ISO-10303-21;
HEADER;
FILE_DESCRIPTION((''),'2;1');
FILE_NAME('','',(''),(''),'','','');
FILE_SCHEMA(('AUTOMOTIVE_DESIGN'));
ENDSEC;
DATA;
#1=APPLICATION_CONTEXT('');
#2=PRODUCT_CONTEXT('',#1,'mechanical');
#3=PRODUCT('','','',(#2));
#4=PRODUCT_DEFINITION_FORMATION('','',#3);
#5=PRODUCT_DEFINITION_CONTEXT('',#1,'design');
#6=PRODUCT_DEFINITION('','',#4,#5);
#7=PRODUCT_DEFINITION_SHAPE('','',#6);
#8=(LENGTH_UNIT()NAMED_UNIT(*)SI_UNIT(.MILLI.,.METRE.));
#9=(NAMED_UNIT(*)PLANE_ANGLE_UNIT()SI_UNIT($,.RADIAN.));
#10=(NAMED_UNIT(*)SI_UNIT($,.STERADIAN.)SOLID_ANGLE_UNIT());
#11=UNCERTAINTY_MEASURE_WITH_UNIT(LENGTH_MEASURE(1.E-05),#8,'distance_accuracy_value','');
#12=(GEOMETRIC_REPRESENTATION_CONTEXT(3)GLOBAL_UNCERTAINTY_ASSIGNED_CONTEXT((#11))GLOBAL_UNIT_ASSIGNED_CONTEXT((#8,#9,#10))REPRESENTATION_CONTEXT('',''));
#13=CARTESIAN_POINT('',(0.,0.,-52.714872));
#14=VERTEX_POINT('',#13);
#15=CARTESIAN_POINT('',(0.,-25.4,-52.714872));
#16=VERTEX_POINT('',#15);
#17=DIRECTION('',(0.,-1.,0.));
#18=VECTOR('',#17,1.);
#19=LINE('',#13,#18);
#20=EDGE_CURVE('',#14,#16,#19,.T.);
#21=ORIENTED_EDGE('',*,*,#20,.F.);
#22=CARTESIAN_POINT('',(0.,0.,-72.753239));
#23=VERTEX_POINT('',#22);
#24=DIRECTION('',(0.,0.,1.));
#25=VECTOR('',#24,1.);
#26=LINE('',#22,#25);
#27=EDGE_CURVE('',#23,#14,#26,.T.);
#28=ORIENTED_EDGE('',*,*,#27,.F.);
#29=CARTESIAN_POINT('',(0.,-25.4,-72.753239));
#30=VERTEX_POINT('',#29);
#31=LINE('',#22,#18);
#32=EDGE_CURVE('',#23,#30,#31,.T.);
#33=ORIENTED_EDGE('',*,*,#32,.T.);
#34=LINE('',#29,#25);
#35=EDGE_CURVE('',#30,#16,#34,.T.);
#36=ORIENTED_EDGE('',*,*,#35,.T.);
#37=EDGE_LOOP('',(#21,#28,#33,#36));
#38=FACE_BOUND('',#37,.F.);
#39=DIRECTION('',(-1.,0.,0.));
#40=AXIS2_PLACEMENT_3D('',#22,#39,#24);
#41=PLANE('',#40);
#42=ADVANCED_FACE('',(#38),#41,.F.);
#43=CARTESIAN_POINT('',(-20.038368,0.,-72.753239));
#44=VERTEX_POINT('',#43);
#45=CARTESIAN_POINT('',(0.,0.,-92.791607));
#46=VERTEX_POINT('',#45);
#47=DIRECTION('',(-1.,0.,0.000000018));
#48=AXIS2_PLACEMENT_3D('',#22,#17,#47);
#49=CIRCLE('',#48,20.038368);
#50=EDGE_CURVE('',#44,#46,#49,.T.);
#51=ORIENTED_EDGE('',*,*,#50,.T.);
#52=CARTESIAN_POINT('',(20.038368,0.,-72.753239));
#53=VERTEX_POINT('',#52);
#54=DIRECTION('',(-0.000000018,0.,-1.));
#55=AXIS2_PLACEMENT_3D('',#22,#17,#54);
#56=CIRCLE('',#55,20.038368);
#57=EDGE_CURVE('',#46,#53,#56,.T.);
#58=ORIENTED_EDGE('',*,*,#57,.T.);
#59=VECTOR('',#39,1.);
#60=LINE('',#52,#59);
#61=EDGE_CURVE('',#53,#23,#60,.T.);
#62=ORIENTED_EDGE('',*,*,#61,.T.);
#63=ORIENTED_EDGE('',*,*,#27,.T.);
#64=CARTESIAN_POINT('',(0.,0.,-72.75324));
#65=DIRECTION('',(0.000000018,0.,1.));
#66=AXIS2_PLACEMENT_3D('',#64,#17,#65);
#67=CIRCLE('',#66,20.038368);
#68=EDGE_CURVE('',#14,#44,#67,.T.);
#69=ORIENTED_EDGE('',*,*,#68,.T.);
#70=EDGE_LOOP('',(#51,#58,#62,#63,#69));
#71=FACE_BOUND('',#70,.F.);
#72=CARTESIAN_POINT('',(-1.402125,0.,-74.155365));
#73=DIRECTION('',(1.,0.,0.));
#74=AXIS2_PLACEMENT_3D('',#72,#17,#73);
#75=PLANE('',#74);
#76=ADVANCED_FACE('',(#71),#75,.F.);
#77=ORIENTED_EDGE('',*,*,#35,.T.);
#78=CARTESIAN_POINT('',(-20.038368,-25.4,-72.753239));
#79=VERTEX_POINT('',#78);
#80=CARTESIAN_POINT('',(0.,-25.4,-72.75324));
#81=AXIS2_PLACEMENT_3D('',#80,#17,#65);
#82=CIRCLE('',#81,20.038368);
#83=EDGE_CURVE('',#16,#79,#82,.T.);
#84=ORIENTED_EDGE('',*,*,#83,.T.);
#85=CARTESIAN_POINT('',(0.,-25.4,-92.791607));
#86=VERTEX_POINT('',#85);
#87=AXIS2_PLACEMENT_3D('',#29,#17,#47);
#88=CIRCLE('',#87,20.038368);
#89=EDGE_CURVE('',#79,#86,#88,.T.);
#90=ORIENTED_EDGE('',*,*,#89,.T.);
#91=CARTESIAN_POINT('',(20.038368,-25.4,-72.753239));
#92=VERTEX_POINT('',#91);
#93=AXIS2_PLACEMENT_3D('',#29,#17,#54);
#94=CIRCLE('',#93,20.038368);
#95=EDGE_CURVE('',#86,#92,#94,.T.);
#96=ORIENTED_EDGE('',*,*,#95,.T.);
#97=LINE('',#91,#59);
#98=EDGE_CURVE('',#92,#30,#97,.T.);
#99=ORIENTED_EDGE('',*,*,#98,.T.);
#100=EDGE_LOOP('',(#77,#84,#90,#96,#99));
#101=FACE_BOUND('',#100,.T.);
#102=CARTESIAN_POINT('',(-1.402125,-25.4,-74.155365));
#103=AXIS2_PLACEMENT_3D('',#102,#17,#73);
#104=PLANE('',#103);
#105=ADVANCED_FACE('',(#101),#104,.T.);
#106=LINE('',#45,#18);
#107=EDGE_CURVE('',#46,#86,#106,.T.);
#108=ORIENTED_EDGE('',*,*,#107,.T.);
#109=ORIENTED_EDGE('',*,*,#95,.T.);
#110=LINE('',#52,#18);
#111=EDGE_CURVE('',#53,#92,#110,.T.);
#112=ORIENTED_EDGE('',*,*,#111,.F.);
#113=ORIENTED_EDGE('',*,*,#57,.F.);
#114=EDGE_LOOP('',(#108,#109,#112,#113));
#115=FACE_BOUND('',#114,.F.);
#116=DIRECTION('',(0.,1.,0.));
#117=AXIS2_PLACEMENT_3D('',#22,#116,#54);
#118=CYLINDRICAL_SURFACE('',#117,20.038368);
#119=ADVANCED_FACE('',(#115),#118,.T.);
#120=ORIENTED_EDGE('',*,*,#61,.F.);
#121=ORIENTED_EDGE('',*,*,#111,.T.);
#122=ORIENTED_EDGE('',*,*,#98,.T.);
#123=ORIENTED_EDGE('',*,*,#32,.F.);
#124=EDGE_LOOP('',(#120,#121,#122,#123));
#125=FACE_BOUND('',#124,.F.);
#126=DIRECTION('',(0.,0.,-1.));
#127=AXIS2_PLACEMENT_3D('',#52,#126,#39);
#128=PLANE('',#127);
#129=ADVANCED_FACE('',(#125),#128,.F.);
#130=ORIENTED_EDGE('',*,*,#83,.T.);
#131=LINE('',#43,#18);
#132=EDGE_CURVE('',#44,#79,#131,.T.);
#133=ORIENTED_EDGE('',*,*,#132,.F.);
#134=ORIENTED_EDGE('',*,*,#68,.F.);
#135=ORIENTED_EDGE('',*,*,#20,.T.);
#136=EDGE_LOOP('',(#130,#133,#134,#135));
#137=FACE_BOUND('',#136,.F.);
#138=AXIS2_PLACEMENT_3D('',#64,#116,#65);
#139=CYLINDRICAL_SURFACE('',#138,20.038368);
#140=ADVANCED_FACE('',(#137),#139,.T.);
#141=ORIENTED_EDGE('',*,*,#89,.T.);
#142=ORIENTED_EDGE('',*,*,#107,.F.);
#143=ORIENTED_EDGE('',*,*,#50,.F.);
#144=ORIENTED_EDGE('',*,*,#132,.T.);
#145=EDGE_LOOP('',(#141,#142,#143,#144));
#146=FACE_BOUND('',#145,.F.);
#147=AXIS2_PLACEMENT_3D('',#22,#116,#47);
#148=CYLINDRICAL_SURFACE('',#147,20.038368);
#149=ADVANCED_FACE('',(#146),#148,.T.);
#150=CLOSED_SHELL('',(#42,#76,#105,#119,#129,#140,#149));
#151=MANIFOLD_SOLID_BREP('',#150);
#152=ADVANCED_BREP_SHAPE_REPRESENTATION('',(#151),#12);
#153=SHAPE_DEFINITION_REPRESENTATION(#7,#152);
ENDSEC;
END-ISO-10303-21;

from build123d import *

# Parameters (mm, degrees)
F1_DEPTH = 25.4


with BuildPart() as f1:
    # F0 (on Front) → F1 (new body)
    with BuildSketch(Plane.XZ):
        with BuildLine():
            ThreePointArc((-20.038368, -72.753239), (-14.169266, -86.922505), (0, -92.791607))
            ThreePointArc((0, -92.791607), (14.169266, -86.922505), (20.038368, -72.753239))
            Line((20.038368, -72.753239), (0, -72.753239))
            Line((0, -72.753239), (0, -52.714872))
            ThreePointArc((0, -52.714872), (-14.169266, -58.583974), (-20.038368, -72.753239))
        make_face()
    extrude(amount=F1_DEPTH)


solid = f1.part
